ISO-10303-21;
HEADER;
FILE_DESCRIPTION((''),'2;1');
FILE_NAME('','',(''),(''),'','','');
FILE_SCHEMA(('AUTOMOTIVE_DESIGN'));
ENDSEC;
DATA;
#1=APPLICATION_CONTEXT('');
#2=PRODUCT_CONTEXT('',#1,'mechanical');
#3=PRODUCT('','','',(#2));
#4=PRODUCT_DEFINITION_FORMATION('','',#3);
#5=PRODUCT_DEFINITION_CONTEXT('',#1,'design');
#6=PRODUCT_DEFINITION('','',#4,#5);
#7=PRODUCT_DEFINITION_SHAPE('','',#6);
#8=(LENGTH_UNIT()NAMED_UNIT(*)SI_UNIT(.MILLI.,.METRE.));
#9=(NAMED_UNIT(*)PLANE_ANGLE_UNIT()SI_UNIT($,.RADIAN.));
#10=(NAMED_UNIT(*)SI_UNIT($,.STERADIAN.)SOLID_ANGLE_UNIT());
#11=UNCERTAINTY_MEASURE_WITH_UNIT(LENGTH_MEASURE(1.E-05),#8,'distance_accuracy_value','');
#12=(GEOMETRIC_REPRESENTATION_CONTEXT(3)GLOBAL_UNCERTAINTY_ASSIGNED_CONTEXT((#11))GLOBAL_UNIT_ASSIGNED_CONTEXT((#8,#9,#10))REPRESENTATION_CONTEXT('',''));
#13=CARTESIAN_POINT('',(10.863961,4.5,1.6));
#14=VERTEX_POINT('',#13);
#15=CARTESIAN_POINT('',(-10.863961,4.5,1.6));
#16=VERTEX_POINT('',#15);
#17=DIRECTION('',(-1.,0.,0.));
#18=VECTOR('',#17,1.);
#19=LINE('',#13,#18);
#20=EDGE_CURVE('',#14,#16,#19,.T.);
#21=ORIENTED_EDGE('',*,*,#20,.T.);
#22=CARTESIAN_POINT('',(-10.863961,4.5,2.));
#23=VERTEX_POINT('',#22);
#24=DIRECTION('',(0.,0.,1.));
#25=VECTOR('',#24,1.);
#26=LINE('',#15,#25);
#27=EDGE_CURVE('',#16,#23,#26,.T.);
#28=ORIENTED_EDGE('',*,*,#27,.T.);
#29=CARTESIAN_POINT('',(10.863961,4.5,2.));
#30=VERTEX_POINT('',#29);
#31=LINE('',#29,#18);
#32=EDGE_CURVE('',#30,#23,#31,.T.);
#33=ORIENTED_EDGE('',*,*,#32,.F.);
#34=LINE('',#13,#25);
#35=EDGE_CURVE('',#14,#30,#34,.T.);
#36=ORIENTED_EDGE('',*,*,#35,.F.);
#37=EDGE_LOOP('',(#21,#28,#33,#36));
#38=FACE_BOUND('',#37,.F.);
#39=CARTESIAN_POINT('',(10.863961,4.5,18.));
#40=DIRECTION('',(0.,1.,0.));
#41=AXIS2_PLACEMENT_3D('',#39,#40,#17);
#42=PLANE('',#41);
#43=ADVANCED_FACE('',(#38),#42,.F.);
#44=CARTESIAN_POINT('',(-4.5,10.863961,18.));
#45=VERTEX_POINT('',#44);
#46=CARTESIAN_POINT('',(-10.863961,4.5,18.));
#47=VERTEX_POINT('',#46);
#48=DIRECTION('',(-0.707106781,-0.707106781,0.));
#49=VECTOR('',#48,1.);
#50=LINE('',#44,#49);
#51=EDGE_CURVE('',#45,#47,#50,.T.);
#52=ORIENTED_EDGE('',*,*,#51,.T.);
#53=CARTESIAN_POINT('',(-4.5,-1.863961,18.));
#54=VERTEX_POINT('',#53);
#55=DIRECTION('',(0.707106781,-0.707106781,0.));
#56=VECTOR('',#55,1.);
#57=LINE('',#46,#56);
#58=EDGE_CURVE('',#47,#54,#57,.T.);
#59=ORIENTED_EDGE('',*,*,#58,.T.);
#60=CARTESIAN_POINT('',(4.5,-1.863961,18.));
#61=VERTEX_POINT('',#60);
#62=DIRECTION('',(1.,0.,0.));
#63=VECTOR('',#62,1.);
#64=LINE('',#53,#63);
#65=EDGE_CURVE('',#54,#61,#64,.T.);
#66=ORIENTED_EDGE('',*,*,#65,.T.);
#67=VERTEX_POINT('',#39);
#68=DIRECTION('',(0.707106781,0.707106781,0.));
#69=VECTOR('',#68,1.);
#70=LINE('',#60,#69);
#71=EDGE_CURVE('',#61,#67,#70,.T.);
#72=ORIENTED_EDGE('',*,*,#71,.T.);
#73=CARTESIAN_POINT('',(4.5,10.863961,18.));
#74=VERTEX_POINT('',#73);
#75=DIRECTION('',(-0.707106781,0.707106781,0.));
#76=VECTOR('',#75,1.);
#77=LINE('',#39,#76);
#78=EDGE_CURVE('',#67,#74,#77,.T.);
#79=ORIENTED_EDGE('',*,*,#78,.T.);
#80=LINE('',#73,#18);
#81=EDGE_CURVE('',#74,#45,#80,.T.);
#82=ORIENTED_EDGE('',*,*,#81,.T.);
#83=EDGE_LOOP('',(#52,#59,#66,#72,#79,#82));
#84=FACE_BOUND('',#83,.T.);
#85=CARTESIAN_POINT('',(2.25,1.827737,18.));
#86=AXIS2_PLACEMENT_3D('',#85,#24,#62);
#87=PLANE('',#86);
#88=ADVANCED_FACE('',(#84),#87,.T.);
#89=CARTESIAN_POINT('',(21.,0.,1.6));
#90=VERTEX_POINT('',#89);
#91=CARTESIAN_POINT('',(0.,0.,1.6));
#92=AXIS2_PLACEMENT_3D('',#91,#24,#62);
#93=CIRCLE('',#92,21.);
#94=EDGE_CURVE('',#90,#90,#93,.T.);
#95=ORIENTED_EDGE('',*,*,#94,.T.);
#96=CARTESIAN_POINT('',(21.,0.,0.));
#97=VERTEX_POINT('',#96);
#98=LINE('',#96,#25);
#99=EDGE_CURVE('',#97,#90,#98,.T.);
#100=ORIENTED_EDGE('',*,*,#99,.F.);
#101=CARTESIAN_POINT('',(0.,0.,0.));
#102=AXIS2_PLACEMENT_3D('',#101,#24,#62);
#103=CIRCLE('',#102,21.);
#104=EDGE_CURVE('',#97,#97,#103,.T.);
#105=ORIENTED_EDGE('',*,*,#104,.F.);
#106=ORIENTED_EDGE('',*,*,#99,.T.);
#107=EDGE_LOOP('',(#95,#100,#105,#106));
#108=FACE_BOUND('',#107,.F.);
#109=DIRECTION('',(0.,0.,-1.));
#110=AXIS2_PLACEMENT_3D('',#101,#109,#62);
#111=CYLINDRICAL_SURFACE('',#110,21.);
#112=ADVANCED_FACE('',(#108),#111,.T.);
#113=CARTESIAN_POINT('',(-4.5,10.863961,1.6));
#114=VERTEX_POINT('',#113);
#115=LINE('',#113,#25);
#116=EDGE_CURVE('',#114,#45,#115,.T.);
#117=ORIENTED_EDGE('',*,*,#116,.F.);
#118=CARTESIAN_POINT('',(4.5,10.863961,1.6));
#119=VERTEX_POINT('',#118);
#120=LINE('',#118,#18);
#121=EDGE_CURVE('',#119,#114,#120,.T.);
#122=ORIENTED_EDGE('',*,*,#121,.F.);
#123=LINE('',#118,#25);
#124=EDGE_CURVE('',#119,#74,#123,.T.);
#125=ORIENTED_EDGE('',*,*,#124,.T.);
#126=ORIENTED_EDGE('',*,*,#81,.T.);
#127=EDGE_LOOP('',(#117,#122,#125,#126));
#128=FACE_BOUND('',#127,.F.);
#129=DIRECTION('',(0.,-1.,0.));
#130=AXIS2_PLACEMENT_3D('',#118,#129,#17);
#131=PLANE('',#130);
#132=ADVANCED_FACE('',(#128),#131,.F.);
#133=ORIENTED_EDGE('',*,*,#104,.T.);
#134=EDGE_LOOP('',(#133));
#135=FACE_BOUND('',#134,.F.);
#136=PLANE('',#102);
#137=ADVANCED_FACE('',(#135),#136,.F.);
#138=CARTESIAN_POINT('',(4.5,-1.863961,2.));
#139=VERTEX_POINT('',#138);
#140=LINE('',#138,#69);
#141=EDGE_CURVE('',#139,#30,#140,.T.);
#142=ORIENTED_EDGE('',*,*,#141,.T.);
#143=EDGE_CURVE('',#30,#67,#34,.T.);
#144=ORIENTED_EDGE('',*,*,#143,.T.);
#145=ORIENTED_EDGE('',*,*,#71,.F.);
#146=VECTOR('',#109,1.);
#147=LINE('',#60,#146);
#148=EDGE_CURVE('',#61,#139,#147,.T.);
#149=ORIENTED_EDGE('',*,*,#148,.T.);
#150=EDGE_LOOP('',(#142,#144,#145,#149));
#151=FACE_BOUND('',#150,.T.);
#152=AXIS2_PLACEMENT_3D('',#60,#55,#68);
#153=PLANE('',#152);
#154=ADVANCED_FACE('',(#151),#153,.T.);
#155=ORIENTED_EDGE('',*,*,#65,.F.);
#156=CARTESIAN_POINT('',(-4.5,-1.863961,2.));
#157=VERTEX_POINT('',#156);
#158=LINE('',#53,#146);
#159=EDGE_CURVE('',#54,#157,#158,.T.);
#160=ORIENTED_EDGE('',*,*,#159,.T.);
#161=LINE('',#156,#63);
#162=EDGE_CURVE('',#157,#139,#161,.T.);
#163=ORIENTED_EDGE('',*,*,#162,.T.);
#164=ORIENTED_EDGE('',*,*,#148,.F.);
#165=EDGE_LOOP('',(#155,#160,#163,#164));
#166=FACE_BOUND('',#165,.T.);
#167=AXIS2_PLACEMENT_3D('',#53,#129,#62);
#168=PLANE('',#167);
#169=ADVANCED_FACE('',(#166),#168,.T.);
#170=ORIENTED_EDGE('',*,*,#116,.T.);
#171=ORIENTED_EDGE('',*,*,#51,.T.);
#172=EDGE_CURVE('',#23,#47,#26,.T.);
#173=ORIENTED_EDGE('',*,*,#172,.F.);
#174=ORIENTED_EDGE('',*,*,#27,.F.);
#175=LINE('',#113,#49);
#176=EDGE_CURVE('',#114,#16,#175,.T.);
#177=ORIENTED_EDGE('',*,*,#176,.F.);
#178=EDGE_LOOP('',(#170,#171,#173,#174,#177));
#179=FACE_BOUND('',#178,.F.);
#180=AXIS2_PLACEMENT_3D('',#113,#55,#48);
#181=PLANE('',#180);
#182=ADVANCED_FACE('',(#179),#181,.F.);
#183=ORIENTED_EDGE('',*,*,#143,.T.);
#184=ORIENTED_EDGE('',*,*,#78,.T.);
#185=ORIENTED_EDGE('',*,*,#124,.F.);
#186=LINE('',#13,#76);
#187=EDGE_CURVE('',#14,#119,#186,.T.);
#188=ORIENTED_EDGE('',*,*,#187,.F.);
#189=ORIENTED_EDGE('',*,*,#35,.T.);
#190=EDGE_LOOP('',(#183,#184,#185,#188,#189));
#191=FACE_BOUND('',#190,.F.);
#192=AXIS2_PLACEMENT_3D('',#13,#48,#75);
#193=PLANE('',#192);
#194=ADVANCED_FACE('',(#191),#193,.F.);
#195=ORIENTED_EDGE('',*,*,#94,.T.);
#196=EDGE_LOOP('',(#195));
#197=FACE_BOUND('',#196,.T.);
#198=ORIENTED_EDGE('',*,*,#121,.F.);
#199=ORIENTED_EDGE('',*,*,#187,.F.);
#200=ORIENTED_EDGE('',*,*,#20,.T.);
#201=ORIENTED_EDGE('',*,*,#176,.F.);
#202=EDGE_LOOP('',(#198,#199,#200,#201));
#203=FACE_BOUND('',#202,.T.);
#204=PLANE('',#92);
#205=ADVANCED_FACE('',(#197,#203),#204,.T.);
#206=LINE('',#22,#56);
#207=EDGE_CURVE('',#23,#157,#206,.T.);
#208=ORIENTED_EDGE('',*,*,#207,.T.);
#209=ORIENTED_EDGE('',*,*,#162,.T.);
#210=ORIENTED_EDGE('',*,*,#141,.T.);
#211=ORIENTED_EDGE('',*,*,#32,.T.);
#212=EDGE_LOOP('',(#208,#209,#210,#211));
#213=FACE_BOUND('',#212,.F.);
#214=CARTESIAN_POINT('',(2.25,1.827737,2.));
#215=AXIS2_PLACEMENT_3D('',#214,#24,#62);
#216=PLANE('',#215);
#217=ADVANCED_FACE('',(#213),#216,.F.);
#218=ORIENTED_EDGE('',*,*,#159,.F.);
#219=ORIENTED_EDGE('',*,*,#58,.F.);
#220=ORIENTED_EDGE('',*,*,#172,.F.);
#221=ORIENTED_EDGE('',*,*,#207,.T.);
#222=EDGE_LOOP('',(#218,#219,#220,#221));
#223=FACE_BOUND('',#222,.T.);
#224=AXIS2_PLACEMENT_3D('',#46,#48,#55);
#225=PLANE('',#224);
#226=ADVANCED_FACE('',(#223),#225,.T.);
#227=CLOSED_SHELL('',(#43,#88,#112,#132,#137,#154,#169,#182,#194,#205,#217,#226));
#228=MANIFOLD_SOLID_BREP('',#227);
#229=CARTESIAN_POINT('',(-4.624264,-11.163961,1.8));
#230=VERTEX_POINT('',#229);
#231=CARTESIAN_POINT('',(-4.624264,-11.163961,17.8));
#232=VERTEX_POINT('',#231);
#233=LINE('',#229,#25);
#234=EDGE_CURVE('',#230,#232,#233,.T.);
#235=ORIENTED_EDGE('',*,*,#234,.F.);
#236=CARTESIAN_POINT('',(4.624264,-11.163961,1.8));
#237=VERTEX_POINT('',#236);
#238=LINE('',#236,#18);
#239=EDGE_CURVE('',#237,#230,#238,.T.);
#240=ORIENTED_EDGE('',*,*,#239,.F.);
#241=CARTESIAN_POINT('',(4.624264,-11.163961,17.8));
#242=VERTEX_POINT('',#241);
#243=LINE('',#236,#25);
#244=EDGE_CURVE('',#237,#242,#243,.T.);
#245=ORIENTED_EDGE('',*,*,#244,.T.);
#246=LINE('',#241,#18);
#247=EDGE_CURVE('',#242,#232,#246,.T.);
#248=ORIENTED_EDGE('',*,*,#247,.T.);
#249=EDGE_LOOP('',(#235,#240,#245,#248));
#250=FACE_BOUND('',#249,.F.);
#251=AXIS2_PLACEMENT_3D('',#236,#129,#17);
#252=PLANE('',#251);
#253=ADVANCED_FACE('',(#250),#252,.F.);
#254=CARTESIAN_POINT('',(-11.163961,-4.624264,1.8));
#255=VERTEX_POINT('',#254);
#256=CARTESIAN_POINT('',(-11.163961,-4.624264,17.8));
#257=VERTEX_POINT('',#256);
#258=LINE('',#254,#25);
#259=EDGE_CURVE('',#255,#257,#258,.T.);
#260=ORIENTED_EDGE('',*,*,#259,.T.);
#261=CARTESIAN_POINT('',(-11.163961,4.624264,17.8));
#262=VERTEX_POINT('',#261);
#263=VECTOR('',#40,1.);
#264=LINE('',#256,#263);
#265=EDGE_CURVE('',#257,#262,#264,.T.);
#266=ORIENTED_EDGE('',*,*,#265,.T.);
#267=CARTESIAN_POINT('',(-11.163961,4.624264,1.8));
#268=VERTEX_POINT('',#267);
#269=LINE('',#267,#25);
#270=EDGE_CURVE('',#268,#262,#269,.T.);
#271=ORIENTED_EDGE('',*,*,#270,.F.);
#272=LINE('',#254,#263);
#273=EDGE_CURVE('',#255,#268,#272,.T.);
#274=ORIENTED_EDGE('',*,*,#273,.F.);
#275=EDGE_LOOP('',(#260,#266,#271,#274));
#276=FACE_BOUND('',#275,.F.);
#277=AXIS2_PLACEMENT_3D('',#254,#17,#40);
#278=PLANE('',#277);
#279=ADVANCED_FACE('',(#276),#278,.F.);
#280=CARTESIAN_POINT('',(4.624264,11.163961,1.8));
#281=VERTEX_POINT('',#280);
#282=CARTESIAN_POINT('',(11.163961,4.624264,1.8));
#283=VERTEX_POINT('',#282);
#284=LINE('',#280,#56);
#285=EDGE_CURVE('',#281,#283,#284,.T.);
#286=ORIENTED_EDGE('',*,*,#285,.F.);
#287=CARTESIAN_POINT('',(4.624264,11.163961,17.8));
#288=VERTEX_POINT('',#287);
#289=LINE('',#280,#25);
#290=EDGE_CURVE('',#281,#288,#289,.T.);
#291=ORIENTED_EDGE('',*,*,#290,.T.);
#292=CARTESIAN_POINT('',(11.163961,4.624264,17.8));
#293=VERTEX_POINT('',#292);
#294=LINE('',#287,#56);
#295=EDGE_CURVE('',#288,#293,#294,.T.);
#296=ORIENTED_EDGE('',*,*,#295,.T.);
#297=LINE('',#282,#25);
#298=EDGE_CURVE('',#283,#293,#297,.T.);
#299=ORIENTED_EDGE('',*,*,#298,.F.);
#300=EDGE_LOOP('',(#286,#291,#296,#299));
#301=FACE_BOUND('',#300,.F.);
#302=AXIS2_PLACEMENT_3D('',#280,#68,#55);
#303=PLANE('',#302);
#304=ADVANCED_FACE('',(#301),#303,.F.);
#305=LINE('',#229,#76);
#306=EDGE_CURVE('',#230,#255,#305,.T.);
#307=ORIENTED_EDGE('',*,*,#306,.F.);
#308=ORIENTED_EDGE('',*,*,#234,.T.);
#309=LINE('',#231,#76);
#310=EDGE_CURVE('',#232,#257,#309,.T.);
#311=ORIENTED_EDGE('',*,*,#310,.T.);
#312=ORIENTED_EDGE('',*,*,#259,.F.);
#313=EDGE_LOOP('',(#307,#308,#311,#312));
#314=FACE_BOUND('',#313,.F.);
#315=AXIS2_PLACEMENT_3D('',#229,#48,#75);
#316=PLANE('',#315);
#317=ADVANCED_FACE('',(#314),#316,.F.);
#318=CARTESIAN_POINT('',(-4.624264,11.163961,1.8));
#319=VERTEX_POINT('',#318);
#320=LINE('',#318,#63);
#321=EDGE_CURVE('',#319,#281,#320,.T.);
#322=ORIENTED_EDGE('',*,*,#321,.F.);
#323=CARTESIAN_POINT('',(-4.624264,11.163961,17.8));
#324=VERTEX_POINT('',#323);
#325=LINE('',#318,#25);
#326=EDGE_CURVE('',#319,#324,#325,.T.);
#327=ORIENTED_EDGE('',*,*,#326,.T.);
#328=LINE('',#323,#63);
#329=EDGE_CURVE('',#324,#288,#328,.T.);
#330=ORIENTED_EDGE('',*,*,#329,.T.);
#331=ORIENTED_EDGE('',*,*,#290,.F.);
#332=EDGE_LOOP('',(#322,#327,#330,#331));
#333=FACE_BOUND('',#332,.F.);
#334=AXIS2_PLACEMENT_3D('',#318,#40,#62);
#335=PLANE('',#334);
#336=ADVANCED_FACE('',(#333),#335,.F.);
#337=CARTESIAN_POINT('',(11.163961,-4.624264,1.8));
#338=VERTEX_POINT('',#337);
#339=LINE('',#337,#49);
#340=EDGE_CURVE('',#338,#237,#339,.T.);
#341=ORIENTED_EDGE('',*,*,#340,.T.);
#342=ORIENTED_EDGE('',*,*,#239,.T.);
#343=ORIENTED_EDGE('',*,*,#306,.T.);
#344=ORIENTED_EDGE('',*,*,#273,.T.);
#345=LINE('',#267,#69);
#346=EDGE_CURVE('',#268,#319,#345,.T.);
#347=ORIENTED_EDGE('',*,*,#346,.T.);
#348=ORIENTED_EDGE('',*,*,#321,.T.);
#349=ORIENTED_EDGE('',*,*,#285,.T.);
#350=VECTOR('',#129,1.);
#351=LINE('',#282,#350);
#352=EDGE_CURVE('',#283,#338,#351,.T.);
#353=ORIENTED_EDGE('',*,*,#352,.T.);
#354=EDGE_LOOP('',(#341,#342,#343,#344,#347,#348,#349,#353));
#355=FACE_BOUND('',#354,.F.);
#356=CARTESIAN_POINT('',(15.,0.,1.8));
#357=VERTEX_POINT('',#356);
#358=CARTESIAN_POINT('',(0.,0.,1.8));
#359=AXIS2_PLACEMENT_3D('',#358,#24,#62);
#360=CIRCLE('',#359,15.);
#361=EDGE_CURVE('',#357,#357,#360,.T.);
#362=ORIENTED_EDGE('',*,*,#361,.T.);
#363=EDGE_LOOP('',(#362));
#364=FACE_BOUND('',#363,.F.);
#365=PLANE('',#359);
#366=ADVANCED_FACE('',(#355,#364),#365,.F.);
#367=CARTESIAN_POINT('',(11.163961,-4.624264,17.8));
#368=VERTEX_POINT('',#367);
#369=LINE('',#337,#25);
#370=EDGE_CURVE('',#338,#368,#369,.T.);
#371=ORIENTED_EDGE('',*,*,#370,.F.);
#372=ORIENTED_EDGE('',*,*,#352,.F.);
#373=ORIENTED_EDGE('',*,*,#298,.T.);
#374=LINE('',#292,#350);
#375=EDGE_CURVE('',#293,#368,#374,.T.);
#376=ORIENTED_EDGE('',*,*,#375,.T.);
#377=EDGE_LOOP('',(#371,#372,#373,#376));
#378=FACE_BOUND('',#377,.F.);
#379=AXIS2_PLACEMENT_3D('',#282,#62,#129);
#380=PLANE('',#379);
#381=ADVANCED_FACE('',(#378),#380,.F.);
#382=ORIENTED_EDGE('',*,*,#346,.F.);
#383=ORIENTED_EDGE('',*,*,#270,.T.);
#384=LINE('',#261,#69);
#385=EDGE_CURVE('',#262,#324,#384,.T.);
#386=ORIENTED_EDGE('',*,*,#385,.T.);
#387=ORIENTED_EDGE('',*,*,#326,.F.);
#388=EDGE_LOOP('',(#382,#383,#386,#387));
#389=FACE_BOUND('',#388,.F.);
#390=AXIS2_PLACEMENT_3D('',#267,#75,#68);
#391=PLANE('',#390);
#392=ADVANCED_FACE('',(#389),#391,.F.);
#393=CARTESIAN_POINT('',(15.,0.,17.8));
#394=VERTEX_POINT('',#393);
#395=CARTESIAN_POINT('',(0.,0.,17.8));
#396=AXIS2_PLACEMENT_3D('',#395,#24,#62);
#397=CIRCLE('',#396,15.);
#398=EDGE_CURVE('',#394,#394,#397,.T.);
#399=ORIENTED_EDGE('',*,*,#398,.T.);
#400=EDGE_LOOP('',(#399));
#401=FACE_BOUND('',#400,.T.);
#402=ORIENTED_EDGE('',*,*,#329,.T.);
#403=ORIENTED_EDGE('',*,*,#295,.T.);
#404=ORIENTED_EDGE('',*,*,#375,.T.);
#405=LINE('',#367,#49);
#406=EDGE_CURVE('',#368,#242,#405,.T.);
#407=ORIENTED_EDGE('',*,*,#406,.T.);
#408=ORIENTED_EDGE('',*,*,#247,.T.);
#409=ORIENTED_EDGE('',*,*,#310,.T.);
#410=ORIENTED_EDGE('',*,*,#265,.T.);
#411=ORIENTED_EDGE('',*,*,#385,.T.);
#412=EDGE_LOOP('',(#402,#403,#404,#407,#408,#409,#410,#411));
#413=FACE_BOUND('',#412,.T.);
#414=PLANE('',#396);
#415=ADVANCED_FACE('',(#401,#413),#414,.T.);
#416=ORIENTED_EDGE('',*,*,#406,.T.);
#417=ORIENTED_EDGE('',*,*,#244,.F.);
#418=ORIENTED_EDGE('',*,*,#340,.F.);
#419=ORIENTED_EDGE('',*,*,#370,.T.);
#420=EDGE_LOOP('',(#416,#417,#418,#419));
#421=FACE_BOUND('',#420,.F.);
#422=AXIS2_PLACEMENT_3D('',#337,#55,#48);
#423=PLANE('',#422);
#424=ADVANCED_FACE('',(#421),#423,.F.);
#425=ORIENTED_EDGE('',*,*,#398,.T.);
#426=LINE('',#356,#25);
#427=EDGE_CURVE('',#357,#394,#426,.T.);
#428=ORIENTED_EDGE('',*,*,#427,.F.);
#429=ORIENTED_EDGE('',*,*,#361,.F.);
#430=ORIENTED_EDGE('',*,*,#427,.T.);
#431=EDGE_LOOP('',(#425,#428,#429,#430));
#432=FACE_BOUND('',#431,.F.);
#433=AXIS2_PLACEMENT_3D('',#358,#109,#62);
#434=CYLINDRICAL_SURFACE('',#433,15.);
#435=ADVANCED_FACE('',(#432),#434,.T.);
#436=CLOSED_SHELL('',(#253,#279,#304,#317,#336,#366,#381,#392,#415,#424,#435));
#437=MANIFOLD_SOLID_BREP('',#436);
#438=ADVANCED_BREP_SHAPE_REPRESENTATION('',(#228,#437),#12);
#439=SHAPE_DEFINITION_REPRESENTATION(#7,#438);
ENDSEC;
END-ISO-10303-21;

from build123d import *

# Parameters (mm, degrees)
F0_R     = 21
F1_DEPTH = 1.6
F3_DEPTH = 16.4
F5_START = 0.2
F4_R     = 15
F4_R_2   = 13.8
F5_DEPTH = 16
F7_DEPTH = 16.4
F9_DEPTH = 16


with BuildPart() as f1:
    # F0 (on Top) → F1 (new body)
    with BuildSketch(Plane.XY):
        Circle(F0_R)
    extrude(amount=F1_DEPTH)

    # F2 (on face) → F3 (join)
    with BuildSketch(Plane.XY.offset(1.6)):
        Polygon((10.8639610307, -4.5), (10.8639610307, 4.5), (4.5, 10.8639610307), (-4.5, 10.8639610307), (-10.8639610307, 4.5), (-10.8639610307, -4.5), (-4.5, -10.8639610307), (4.5, -10.8639610307), align=None)
    extrude(amount=F3_DEPTH)

    # F6 (on face) → F7 (cut, through all)
    with BuildSketch(Plane.XY.offset(18)):
        Polygon((10.8639610307, 4.5), (-10.8639610307, 4.5), (-10.8639610307, -4.5), (-4.5, -10.8639610307), (4.5, -10.8639610307), (10.8639610307, -4.5), align=None)
    extrude(amount=-F7_DEPTH, mode=Mode.SUBTRACT)

    # F8 (on face) → F9 (join)
    with BuildSketch(Plane.XY.offset(18)):
        Polygon((-4.5, 4.5), (-4.5, -1.8639610307), (4.5, -1.8639610307), (10.8639610307, 4.5), align=None)
        Polygon((-4.5, 4.5), (-10.8639610307, 4.5), (-4.5, -1.8639610307), align=None)
    extrude(amount=-F9_DEPTH)


with BuildPart() as f5:
    # F4 (on face) → F5 (new body)
    with BuildSketch(Plane.XY.offset(1.6).offset(F5_START)):
        Circle(F4_R)
        Circle(F4_R_2, mode=Mode.SUBTRACT)
        Circle(F4_R_2)
        Polygon((-11.1639610307, 4.6242640687), (-4.6242640687, 11.1639610307), (4.6242640687, 11.1639610307), (11.1639610307, 4.6242640687), (11.1639610307, -4.6242640687), (4.6242640687, -11.1639610307), (-4.6242640687, -11.1639610307), (-11.1639610307, -4.6242640687), align=None, mode=Mode.SUBTRACT)
    extrude(amount=F5_DEPTH)


solid = Compound([f1.part, f5.part])
